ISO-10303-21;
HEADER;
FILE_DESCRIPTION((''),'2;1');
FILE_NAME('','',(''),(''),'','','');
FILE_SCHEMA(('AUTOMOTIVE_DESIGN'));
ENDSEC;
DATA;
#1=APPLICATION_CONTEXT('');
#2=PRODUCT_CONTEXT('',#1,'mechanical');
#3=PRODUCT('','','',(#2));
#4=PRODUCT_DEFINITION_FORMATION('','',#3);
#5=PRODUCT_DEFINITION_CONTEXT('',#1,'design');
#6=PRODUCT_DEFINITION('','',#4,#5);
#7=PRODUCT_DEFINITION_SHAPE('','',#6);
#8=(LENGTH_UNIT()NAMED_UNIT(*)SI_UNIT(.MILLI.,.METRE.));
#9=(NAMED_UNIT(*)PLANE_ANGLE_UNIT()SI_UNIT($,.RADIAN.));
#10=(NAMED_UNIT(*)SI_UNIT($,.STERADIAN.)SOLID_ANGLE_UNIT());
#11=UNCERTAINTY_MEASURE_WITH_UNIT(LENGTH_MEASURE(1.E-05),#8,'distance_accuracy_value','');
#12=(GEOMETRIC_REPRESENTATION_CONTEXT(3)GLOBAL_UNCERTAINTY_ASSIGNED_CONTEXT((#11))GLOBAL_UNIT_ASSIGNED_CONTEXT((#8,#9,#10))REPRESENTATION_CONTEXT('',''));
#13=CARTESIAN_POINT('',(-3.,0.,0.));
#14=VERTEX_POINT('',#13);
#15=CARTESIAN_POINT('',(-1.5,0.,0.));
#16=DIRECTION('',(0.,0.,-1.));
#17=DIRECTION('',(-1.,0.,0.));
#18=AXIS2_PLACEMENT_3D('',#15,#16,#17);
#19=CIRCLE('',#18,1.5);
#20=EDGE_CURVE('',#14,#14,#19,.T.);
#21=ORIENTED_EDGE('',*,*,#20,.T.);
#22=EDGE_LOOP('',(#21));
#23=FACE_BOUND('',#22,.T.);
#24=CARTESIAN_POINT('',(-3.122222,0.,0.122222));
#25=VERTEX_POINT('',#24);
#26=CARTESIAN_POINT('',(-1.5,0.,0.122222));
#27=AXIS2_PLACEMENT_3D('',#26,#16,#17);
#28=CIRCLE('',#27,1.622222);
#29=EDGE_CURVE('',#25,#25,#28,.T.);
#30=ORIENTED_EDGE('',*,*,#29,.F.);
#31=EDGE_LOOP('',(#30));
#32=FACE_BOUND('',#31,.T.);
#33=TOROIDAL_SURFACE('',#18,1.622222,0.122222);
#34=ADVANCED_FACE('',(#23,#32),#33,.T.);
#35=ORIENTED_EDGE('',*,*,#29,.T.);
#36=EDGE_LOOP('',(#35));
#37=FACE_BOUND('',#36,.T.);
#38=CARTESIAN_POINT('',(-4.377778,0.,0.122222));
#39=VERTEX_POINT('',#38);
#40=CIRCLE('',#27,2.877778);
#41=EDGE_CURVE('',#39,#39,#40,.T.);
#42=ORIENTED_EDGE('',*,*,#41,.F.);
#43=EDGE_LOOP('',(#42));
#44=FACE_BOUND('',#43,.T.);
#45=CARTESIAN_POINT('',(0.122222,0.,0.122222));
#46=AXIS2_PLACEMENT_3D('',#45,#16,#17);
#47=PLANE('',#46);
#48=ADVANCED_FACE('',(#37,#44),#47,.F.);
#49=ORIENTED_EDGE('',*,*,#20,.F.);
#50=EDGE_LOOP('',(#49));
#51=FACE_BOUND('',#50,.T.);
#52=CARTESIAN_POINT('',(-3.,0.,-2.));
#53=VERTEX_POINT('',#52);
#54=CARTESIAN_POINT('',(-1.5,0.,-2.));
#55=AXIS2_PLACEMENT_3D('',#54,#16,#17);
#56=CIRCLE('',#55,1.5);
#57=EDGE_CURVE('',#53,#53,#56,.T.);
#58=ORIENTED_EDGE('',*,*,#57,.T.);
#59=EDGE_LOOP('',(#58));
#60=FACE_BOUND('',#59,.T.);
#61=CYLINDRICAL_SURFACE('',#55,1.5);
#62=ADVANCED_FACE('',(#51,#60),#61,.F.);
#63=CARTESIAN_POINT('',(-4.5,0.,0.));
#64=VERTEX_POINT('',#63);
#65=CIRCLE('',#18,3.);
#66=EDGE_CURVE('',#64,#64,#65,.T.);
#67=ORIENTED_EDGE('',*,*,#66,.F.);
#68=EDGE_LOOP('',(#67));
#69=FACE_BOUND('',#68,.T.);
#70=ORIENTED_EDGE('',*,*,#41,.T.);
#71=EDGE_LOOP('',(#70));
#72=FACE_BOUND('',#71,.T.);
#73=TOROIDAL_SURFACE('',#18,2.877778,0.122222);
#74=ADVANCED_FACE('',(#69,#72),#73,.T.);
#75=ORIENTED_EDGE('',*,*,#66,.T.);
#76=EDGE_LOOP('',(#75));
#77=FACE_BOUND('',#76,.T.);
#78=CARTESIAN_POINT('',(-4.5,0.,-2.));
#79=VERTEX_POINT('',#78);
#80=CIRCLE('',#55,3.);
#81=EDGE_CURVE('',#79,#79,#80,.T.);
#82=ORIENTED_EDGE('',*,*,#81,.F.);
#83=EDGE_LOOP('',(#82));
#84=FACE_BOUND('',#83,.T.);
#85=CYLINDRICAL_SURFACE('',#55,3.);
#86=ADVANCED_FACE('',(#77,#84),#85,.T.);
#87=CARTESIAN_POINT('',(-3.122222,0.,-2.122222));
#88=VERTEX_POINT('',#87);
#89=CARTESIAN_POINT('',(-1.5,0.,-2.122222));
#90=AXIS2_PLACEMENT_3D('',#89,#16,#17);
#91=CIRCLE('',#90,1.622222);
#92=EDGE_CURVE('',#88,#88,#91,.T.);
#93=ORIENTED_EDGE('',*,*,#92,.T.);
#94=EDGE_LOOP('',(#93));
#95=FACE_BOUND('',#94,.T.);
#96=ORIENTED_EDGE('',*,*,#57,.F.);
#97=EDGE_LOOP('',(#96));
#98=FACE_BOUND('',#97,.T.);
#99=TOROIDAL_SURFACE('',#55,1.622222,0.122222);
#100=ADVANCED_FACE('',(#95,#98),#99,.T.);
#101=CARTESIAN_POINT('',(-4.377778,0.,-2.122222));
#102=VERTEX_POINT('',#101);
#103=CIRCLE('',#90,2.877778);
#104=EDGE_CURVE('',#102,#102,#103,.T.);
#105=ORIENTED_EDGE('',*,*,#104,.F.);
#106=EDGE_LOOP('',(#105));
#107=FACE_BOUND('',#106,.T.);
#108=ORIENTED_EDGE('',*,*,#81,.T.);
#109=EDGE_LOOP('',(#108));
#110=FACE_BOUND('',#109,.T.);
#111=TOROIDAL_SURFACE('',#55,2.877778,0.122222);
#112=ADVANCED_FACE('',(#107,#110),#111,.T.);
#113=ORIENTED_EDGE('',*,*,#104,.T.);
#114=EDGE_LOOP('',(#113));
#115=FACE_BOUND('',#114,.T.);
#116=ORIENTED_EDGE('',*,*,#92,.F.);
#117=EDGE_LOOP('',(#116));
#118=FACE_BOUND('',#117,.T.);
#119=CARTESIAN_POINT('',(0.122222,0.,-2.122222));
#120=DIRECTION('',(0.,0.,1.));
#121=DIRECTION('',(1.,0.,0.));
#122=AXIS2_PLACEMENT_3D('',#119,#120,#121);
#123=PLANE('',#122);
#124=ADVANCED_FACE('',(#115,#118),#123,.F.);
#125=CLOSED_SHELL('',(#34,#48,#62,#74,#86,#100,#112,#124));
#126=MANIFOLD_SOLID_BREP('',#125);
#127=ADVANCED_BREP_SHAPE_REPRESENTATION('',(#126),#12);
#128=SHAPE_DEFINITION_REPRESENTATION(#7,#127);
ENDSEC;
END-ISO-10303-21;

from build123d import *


with BuildPart() as part:
    # Sketch1 → Revolve1 (revolve)
    with BuildSketch(Plane(origin=(0, 0, 0), x_dir=(1, 0, 0), z_dir=(0, 1, 0))):
        with BuildLine():
            Line((0, 0), (0, 2))
            ThreePointArc((0, 2), (0.03579799, 2.086424), (0.122221986, 2.122222))
            Line((0.122221986, 2.122222), (1.377777546, 2.122222))
            ThreePointArc((1.377777546, 2.122222), (1.464201541, 2.086424015), (1.499999546, 2.000000028))
            Line((1.499999546, 2.000000028), (1.5, 2.8e-08))
            ThreePointArc((1.5, 2.8e-08), (1.46420195, -0.086424151), (1.37777778, -0.12222222))
            Line((1.37777778, -0.12222222), (0.12222222, -0.12222222))
            ThreePointArc((0.12222222, -0.12222222), (0.035798059, -0.086424161), (0, 0))
        make_face()
    revolve(axis=Axis((-1.5, 0, -2), (0, 0, 1)))


solid = part.part
